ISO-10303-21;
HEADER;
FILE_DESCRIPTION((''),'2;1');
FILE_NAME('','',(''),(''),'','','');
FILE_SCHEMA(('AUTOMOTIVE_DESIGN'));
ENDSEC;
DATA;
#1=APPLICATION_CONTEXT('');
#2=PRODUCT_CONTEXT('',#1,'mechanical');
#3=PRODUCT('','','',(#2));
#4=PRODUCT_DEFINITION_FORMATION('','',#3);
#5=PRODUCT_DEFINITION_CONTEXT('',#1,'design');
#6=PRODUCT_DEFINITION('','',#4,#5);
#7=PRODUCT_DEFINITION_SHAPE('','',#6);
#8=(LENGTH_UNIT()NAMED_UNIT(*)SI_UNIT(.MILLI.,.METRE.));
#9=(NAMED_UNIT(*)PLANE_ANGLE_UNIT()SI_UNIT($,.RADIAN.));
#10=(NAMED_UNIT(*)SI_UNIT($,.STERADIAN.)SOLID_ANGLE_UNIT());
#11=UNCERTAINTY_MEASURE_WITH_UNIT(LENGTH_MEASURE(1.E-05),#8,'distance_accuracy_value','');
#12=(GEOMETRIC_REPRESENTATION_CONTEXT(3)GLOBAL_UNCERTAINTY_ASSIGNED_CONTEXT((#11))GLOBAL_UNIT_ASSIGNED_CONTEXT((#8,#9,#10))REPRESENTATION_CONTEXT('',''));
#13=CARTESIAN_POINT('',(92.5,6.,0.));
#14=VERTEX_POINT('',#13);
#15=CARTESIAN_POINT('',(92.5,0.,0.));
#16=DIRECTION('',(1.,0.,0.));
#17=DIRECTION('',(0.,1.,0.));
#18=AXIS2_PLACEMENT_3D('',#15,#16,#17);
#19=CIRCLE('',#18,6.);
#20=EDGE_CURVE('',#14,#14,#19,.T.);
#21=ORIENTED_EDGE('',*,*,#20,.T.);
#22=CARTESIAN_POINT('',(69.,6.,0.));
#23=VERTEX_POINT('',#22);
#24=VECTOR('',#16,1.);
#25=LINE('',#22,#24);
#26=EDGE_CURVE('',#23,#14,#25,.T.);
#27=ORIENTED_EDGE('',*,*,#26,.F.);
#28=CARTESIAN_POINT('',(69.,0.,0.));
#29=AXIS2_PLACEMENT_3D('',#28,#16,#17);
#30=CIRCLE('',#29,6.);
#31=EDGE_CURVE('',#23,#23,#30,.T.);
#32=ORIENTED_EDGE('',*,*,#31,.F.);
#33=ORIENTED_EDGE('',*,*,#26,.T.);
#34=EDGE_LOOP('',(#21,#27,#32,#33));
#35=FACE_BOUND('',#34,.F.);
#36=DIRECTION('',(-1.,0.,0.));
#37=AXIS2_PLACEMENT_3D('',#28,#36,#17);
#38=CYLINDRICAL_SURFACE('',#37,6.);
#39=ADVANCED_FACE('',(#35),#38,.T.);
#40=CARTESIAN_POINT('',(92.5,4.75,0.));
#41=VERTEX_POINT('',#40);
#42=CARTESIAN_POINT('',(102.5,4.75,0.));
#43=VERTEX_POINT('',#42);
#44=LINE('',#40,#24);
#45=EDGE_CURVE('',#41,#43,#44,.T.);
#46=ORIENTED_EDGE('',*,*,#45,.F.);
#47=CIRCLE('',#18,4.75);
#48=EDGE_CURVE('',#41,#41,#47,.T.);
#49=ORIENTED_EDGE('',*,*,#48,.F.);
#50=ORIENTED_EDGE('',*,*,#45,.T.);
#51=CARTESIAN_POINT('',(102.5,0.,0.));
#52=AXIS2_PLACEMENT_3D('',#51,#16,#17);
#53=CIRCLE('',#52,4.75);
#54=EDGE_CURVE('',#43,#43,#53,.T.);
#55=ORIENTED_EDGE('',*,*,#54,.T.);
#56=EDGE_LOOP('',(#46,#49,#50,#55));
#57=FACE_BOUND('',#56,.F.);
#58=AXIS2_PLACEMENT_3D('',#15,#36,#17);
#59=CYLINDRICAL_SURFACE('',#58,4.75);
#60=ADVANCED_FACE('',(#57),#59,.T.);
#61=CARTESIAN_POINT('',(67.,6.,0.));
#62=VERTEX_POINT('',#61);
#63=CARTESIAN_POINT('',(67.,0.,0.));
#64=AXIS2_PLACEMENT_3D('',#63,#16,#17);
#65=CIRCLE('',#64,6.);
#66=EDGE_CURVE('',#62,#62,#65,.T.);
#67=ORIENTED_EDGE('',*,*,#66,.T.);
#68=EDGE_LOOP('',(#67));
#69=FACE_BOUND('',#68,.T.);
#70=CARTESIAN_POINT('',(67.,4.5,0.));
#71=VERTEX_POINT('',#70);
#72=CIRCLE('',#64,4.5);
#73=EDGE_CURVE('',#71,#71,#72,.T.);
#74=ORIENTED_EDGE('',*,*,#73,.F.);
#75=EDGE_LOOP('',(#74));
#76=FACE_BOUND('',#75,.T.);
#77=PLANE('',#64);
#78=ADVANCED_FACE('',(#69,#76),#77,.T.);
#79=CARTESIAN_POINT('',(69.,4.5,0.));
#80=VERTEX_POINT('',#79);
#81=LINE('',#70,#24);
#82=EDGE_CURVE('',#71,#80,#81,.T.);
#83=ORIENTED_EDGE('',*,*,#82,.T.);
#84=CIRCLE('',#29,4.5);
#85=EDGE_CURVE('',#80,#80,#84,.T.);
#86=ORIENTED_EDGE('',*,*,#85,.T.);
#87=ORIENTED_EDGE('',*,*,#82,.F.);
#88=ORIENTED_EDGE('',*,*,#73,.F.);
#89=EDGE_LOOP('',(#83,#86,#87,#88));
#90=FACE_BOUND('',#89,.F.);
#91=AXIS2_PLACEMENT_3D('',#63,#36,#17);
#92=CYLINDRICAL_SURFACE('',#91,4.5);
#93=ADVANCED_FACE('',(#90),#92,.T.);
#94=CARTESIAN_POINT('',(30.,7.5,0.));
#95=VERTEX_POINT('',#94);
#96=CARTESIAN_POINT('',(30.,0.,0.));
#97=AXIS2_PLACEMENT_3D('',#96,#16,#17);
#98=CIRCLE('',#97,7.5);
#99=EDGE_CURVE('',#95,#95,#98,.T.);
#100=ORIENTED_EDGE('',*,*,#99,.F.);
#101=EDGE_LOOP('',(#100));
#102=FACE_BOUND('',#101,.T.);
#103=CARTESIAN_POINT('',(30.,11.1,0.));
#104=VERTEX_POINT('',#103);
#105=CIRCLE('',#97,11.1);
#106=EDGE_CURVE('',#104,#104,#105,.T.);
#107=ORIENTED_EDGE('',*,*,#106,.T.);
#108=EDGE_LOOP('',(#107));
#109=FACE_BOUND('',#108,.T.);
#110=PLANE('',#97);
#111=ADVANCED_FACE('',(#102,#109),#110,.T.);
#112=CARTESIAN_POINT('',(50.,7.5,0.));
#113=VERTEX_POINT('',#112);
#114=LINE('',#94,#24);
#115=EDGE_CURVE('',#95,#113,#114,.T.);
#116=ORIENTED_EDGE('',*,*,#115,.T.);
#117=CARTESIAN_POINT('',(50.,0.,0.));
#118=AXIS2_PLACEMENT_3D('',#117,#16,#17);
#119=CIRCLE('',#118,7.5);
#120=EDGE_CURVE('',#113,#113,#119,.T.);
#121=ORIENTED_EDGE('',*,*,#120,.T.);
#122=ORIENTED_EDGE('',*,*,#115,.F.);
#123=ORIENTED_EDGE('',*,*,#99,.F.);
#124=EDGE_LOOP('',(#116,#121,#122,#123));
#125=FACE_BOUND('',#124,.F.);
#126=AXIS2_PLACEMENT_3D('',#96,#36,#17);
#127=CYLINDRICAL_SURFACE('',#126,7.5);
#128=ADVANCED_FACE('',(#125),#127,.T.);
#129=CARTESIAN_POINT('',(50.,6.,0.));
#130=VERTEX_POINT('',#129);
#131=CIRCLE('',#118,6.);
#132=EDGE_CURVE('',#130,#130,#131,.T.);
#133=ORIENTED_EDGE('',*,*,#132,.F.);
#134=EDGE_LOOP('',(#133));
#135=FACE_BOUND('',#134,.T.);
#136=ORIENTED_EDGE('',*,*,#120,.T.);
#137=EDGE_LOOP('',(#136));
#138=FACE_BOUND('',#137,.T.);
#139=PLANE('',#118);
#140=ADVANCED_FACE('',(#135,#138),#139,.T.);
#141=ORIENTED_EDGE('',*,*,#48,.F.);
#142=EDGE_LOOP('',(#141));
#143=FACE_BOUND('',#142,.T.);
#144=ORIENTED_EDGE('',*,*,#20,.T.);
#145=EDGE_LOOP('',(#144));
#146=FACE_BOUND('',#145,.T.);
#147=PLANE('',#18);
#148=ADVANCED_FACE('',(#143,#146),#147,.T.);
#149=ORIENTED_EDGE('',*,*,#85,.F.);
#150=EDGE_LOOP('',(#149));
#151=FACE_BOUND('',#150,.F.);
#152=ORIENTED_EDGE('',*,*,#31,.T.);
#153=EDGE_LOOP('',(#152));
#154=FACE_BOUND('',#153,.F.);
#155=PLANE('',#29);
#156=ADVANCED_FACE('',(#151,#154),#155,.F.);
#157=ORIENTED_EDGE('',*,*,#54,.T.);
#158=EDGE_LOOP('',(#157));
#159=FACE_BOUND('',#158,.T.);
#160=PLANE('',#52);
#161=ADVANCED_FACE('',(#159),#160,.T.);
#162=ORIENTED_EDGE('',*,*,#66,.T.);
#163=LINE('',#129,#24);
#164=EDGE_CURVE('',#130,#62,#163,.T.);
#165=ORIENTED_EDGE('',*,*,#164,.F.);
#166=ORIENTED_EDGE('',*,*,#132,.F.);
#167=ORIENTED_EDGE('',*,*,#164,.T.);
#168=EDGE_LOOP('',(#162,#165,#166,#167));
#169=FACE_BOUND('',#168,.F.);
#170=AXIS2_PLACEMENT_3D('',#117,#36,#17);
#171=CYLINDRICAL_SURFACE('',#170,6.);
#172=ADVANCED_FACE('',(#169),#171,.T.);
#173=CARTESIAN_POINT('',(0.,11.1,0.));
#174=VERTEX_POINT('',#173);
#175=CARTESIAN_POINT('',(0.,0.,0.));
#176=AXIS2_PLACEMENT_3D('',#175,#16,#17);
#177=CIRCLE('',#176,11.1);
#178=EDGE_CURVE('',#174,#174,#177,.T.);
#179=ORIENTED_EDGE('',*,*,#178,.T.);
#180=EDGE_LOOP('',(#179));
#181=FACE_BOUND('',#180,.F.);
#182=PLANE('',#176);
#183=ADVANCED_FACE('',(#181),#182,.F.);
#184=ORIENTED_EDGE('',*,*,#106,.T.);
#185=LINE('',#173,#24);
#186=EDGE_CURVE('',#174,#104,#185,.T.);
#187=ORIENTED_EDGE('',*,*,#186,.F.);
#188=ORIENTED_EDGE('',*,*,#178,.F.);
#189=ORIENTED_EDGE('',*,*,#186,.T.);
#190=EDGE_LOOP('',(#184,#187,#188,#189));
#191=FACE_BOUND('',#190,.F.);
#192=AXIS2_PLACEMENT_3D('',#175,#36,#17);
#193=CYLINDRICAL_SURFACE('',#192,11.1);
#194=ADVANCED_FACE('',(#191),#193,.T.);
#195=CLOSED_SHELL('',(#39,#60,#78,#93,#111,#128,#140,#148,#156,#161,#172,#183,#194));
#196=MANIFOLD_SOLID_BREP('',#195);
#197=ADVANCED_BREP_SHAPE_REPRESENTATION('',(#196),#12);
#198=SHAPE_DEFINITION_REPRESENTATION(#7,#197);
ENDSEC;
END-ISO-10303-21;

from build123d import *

# Parameters (mm, degrees)
F0_R      = 11.1
F1_DEPTH  = 30
F2_R      = 7.5
F3_DEPTH  = 20
F4_R      = 6
F5_DEPTH  = 17
F6_R      = 4.5
F7_DEPTH  = 2
F8_R      = 6
F9_DEPTH  = 23.5
F10_R     = 4.75
F11_DEPTH = 10


with BuildPart() as f1:
    # F0 (on Right) → F1 (new body)
    with BuildSketch(Plane.YZ):
        Circle(F0_R)
    extrude(amount=F1_DEPTH)

    # F2 (on face) → F3 (join)
    with BuildSketch(Plane.YZ.offset(30)):
        Circle(F2_R)
    extrude(amount=F3_DEPTH)

    # F4 (on face) → F5 (join)
    with BuildSketch(Plane.YZ.offset(50)):
        Circle(F4_R)
    extrude(amount=F5_DEPTH)

    # F6 (on face) → F7 (join)
    with BuildSketch(Plane.YZ.offset(67)):
        Circle(F6_R)
    extrude(amount=F7_DEPTH)

    # F8 (on face) → F9 (join)
    with BuildSketch(Plane.YZ.offset(69)):
        Circle(F8_R)
    extrude(amount=F9_DEPTH)

    # F10 (on face) → F11 (join)
    with BuildSketch(Plane.YZ.offset(92.5)):
        Circle(F10_R)
    extrude(amount=F11_DEPTH)


solid = f1.part
